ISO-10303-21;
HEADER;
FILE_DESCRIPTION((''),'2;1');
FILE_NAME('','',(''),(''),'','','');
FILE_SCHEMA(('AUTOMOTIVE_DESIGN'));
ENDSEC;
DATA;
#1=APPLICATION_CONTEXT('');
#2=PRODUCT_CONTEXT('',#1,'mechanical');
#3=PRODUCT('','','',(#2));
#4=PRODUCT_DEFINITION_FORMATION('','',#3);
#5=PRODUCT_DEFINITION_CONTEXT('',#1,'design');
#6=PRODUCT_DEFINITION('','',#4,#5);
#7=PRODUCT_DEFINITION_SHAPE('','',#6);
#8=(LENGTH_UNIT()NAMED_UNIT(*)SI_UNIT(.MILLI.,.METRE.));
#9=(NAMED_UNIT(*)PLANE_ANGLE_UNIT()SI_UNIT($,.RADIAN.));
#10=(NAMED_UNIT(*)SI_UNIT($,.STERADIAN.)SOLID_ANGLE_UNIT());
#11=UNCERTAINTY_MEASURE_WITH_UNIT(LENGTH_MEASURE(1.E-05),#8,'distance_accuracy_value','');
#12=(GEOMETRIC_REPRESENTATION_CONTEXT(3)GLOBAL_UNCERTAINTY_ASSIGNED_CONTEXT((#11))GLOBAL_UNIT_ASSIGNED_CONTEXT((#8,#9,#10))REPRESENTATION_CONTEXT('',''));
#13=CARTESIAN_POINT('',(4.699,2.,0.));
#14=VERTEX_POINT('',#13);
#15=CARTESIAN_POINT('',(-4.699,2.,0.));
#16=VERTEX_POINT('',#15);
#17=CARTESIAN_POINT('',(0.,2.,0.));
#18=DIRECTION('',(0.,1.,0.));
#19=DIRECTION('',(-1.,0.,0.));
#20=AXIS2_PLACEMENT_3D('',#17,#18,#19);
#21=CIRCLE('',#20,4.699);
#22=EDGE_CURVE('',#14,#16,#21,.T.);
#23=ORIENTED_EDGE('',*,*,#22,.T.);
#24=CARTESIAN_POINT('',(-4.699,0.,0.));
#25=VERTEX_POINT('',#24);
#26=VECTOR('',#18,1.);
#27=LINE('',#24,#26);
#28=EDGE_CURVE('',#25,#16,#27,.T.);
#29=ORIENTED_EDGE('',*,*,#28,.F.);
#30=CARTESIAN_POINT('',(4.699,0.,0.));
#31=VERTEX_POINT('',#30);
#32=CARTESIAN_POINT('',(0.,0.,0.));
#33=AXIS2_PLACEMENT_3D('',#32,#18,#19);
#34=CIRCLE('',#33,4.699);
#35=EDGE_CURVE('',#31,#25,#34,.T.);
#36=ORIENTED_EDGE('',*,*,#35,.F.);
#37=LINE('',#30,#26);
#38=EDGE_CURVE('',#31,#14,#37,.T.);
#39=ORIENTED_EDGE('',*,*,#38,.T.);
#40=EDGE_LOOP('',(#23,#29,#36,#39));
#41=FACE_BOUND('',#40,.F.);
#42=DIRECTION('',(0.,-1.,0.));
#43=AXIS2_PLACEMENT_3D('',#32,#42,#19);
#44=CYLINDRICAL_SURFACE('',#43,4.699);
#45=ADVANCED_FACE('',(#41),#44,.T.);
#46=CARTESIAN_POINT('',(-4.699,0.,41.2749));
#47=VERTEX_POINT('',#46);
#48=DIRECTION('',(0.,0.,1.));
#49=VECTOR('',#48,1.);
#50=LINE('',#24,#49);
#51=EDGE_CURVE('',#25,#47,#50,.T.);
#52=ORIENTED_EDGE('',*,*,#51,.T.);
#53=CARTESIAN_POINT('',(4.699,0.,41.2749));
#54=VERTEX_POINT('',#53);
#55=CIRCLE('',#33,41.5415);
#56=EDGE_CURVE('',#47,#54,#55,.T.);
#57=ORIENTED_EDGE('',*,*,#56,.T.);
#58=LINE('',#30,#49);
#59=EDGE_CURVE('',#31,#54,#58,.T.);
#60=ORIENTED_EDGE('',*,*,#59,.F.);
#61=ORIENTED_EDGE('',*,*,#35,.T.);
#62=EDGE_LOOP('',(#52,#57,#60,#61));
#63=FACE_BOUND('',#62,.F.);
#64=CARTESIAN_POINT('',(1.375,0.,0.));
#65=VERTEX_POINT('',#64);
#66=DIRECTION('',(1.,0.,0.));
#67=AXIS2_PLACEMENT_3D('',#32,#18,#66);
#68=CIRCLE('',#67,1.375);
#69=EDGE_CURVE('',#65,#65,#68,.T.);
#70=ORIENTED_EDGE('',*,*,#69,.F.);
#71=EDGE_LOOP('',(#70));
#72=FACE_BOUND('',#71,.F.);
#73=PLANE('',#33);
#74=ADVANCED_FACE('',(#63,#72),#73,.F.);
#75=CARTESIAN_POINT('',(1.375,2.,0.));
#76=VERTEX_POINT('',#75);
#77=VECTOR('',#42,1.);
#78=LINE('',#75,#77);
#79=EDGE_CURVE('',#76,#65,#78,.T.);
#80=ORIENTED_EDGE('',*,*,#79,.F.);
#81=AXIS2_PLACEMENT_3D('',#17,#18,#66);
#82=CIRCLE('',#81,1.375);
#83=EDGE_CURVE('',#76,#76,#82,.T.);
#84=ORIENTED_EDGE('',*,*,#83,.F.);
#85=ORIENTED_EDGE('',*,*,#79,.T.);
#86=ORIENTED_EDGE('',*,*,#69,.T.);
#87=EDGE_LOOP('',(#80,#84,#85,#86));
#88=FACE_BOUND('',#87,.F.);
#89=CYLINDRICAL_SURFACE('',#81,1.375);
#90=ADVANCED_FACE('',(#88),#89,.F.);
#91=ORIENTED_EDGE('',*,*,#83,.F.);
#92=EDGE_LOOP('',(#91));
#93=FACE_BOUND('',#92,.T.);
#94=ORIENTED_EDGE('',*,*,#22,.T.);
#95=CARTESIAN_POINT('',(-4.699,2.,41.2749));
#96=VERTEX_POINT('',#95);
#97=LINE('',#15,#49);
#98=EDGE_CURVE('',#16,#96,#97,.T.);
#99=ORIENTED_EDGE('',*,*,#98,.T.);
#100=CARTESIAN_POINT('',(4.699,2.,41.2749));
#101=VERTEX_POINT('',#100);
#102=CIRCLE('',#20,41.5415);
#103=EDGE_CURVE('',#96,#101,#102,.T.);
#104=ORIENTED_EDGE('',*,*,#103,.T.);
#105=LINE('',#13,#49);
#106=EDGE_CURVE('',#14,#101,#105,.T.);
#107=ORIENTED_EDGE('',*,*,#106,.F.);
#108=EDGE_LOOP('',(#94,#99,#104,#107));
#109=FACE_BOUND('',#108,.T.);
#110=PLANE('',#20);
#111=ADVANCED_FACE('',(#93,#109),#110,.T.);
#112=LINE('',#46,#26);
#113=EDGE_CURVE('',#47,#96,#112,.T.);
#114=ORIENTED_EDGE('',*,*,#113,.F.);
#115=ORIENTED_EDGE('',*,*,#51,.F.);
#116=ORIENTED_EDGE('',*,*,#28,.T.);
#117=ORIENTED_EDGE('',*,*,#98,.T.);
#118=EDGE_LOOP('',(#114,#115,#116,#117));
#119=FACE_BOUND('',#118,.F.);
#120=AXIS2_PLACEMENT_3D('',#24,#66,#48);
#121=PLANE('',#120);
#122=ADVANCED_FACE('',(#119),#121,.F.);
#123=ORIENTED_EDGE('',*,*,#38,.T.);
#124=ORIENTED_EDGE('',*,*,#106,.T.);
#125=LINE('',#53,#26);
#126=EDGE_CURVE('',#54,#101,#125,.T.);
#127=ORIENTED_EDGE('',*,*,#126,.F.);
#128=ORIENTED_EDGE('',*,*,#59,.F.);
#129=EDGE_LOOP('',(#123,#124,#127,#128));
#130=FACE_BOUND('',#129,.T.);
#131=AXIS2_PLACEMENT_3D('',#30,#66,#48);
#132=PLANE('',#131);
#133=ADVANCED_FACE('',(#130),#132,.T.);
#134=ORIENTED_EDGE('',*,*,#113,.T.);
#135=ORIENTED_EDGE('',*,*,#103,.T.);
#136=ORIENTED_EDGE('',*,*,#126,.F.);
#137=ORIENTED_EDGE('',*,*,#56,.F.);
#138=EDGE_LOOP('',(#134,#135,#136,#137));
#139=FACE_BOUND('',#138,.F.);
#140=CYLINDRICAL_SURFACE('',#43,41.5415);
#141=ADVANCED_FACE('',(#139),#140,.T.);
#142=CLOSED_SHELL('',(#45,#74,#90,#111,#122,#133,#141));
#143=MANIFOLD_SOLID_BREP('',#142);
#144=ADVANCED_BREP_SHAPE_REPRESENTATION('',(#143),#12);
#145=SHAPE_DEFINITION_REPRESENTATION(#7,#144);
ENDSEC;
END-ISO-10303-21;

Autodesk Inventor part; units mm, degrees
ref_plane "YZ Plane" through (0, 0, 0) normal (1, 0, 0) x (0, 1, 0)
ref_plane "XZ Plane" through (0, 0, 0) normal (0, 1, 0) x (-1, 0, 0)
ref_plane "XY Plane" through (0, 0, 0) normal (0, 0, 1) x (1, 0, 0)
sketch "Sketch1" plane through (0, 0, 0) normal (0, 1, 0) x (-1, 0, 0)
  circle A0 centre (0, 0) radius 41.5415
  circle A1 centre (0, 0) radius 4.699
  line L0 (4.699, 0) -> (4.699, 41.2749)
  line L1 (-4.699, 0) -> (-4.699, 41.2749)
  dimension "d0" = 83.083
  dimension "d1" = 9.398
extrude "Extrusion1" add sketch "Sketch1" along normal blind 2 contours L0 A1 L1 A0 | A1 picked at (-0.1888, 29.2295)
sketch "Sketch2" plane through (0, 2, 0) normal (0, 1, 0) x (1, 0, 0)
  circle A0 centre (0, 0) radius 1.375
  dimension "d4" = 2.75
extrude "Extrusion2" cut sketch "Sketch2" against normal through all
sketch "Sketch3" plane through (0, 2, 0) normal (0, 1, 0) x (1, 0, 0)
  circle A0 centre (0, 0) radius 1.375 projected
  circle A1 centre (0, 0) radius 4.699
  circle A2 centre (0, 0) radius 1.375 projected
  arc A3 (4.699, 0) -> (-4.699, 0) centre (0, 0) ccw projected
  line L0 (-4.699, 0) -> (-4.699, -41.2749) projected
  arc A4 (-4.699, -41.2749) -> (4.699, -41.2749) centre (0, 0) ccw projected
  line L1 (4.699, -41.2749) -> (4.699, 0) projected
  arc A5 (4.699, 0) -> (-4.699, 0) centre (0, 0) ccw projected
  point P0 (-4.699, 0)
properties part number "Minute hand test 2"
